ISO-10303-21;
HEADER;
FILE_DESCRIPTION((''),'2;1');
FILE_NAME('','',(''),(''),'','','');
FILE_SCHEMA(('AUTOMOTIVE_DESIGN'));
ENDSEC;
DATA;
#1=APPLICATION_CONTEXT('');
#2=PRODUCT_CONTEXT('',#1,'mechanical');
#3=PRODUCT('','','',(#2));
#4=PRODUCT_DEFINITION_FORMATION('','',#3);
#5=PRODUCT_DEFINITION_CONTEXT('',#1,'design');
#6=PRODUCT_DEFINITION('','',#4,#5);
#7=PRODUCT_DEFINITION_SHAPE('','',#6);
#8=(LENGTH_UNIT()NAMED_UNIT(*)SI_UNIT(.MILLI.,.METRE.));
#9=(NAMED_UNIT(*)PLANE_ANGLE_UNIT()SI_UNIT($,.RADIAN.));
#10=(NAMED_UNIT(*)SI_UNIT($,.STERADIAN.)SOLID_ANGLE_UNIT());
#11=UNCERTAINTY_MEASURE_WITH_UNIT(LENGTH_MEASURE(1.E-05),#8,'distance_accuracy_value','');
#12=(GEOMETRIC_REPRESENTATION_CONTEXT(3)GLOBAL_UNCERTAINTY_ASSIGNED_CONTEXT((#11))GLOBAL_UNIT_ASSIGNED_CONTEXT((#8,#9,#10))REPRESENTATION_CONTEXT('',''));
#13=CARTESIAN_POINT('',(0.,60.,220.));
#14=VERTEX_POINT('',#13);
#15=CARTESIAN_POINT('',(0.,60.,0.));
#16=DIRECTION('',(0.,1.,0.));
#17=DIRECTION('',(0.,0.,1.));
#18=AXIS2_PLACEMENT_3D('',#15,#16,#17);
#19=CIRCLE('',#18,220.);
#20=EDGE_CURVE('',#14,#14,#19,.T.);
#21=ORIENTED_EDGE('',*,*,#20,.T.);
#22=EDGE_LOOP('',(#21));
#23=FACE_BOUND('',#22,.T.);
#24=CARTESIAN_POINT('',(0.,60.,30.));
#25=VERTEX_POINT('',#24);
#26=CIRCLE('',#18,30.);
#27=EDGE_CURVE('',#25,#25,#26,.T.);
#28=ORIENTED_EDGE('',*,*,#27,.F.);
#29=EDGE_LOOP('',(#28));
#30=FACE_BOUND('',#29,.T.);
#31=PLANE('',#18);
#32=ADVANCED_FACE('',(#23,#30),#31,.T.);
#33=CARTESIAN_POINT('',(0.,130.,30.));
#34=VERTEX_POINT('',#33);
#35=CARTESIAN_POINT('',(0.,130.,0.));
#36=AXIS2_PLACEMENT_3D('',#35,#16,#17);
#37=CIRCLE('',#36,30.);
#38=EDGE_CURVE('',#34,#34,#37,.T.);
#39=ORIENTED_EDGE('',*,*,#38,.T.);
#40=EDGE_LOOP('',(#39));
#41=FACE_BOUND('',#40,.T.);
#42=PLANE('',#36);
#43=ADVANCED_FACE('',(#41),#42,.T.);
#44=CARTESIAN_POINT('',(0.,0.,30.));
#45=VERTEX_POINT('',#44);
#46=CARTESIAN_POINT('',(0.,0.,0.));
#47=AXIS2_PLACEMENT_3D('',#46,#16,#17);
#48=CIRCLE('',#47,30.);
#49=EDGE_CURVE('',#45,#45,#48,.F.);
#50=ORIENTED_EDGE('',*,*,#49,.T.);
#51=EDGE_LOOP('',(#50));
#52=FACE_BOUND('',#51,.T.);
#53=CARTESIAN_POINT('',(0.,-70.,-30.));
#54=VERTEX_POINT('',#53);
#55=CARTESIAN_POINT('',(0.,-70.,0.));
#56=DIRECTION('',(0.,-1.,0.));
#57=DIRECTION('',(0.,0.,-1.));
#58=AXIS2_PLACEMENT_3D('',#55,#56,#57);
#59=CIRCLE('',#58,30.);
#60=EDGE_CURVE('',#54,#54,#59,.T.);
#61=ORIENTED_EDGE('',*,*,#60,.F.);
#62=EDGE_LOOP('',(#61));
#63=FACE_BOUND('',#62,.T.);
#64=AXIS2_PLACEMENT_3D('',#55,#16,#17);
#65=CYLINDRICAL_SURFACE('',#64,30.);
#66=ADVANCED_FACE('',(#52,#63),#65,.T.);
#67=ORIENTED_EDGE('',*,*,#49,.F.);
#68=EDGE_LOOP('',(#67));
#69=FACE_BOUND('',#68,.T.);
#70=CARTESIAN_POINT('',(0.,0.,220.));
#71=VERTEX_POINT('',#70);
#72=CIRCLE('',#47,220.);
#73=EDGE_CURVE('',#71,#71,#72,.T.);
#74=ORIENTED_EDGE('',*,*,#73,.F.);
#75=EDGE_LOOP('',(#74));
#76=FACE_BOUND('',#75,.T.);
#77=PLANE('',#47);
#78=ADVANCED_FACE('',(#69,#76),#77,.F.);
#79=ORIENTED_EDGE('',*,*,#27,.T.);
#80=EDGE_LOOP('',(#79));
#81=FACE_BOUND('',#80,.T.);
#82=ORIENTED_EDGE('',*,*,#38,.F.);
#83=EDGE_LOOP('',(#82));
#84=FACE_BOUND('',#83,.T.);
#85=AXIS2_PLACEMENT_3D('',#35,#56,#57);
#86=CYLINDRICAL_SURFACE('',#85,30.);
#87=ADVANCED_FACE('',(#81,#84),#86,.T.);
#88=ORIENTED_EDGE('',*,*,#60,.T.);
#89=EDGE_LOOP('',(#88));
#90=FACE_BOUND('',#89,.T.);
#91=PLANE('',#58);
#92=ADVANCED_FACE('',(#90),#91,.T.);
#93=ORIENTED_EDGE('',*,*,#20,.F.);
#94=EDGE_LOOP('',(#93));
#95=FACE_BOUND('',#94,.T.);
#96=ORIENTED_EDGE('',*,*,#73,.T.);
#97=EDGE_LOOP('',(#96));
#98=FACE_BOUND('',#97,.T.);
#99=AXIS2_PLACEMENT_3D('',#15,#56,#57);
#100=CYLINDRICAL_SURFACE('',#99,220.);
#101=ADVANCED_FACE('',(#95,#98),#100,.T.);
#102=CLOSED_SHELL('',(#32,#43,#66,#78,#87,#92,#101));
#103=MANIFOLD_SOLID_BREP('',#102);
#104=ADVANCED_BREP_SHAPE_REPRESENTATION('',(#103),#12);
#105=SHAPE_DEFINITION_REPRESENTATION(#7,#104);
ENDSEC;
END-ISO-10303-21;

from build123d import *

# Parameters (mm, degrees)
SZKIC2_R                    = 220
DODANIE_WYCI_GNI_CIE1_DEPTH = 60
SZKIC3_R                    = 30
DODANIE_WYCI_GNI_CIE2_DEPTH = 70
SZKIC4_R                    = 30
DODANIE_WYCI_GNI_CIE3_DEPTH = 70


with BuildPart() as part:
    # Szkic2 → Dodanie-wyciągnięcie1 (new body)
    with BuildSketch(Plane(origin=(0, 0, 0), x_dir=(1, 0, 0), z_dir=(0, 1, 0))):
        Circle(SZKIC2_R)
    extrude(amount=DODANIE_WYCI_GNI_CIE1_DEPTH)

    # Szkic3 → Dodanie-wyciągnięcie2 (add)
    with BuildSketch(Plane(origin=(0, 60, 0), x_dir=(1, 0, 0), z_dir=(0, 1, 0))):
        Circle(SZKIC3_R)
    extrude(amount=DODANIE_WYCI_GNI_CIE2_DEPTH)

    # Szkic4 → Dodanie-wyciągnięcie3 (add)
    with BuildSketch(Plane.XZ):
        Circle(SZKIC4_R)
    extrude(amount=DODANIE_WYCI_GNI_CIE3_DEPTH)


solid = part.part
